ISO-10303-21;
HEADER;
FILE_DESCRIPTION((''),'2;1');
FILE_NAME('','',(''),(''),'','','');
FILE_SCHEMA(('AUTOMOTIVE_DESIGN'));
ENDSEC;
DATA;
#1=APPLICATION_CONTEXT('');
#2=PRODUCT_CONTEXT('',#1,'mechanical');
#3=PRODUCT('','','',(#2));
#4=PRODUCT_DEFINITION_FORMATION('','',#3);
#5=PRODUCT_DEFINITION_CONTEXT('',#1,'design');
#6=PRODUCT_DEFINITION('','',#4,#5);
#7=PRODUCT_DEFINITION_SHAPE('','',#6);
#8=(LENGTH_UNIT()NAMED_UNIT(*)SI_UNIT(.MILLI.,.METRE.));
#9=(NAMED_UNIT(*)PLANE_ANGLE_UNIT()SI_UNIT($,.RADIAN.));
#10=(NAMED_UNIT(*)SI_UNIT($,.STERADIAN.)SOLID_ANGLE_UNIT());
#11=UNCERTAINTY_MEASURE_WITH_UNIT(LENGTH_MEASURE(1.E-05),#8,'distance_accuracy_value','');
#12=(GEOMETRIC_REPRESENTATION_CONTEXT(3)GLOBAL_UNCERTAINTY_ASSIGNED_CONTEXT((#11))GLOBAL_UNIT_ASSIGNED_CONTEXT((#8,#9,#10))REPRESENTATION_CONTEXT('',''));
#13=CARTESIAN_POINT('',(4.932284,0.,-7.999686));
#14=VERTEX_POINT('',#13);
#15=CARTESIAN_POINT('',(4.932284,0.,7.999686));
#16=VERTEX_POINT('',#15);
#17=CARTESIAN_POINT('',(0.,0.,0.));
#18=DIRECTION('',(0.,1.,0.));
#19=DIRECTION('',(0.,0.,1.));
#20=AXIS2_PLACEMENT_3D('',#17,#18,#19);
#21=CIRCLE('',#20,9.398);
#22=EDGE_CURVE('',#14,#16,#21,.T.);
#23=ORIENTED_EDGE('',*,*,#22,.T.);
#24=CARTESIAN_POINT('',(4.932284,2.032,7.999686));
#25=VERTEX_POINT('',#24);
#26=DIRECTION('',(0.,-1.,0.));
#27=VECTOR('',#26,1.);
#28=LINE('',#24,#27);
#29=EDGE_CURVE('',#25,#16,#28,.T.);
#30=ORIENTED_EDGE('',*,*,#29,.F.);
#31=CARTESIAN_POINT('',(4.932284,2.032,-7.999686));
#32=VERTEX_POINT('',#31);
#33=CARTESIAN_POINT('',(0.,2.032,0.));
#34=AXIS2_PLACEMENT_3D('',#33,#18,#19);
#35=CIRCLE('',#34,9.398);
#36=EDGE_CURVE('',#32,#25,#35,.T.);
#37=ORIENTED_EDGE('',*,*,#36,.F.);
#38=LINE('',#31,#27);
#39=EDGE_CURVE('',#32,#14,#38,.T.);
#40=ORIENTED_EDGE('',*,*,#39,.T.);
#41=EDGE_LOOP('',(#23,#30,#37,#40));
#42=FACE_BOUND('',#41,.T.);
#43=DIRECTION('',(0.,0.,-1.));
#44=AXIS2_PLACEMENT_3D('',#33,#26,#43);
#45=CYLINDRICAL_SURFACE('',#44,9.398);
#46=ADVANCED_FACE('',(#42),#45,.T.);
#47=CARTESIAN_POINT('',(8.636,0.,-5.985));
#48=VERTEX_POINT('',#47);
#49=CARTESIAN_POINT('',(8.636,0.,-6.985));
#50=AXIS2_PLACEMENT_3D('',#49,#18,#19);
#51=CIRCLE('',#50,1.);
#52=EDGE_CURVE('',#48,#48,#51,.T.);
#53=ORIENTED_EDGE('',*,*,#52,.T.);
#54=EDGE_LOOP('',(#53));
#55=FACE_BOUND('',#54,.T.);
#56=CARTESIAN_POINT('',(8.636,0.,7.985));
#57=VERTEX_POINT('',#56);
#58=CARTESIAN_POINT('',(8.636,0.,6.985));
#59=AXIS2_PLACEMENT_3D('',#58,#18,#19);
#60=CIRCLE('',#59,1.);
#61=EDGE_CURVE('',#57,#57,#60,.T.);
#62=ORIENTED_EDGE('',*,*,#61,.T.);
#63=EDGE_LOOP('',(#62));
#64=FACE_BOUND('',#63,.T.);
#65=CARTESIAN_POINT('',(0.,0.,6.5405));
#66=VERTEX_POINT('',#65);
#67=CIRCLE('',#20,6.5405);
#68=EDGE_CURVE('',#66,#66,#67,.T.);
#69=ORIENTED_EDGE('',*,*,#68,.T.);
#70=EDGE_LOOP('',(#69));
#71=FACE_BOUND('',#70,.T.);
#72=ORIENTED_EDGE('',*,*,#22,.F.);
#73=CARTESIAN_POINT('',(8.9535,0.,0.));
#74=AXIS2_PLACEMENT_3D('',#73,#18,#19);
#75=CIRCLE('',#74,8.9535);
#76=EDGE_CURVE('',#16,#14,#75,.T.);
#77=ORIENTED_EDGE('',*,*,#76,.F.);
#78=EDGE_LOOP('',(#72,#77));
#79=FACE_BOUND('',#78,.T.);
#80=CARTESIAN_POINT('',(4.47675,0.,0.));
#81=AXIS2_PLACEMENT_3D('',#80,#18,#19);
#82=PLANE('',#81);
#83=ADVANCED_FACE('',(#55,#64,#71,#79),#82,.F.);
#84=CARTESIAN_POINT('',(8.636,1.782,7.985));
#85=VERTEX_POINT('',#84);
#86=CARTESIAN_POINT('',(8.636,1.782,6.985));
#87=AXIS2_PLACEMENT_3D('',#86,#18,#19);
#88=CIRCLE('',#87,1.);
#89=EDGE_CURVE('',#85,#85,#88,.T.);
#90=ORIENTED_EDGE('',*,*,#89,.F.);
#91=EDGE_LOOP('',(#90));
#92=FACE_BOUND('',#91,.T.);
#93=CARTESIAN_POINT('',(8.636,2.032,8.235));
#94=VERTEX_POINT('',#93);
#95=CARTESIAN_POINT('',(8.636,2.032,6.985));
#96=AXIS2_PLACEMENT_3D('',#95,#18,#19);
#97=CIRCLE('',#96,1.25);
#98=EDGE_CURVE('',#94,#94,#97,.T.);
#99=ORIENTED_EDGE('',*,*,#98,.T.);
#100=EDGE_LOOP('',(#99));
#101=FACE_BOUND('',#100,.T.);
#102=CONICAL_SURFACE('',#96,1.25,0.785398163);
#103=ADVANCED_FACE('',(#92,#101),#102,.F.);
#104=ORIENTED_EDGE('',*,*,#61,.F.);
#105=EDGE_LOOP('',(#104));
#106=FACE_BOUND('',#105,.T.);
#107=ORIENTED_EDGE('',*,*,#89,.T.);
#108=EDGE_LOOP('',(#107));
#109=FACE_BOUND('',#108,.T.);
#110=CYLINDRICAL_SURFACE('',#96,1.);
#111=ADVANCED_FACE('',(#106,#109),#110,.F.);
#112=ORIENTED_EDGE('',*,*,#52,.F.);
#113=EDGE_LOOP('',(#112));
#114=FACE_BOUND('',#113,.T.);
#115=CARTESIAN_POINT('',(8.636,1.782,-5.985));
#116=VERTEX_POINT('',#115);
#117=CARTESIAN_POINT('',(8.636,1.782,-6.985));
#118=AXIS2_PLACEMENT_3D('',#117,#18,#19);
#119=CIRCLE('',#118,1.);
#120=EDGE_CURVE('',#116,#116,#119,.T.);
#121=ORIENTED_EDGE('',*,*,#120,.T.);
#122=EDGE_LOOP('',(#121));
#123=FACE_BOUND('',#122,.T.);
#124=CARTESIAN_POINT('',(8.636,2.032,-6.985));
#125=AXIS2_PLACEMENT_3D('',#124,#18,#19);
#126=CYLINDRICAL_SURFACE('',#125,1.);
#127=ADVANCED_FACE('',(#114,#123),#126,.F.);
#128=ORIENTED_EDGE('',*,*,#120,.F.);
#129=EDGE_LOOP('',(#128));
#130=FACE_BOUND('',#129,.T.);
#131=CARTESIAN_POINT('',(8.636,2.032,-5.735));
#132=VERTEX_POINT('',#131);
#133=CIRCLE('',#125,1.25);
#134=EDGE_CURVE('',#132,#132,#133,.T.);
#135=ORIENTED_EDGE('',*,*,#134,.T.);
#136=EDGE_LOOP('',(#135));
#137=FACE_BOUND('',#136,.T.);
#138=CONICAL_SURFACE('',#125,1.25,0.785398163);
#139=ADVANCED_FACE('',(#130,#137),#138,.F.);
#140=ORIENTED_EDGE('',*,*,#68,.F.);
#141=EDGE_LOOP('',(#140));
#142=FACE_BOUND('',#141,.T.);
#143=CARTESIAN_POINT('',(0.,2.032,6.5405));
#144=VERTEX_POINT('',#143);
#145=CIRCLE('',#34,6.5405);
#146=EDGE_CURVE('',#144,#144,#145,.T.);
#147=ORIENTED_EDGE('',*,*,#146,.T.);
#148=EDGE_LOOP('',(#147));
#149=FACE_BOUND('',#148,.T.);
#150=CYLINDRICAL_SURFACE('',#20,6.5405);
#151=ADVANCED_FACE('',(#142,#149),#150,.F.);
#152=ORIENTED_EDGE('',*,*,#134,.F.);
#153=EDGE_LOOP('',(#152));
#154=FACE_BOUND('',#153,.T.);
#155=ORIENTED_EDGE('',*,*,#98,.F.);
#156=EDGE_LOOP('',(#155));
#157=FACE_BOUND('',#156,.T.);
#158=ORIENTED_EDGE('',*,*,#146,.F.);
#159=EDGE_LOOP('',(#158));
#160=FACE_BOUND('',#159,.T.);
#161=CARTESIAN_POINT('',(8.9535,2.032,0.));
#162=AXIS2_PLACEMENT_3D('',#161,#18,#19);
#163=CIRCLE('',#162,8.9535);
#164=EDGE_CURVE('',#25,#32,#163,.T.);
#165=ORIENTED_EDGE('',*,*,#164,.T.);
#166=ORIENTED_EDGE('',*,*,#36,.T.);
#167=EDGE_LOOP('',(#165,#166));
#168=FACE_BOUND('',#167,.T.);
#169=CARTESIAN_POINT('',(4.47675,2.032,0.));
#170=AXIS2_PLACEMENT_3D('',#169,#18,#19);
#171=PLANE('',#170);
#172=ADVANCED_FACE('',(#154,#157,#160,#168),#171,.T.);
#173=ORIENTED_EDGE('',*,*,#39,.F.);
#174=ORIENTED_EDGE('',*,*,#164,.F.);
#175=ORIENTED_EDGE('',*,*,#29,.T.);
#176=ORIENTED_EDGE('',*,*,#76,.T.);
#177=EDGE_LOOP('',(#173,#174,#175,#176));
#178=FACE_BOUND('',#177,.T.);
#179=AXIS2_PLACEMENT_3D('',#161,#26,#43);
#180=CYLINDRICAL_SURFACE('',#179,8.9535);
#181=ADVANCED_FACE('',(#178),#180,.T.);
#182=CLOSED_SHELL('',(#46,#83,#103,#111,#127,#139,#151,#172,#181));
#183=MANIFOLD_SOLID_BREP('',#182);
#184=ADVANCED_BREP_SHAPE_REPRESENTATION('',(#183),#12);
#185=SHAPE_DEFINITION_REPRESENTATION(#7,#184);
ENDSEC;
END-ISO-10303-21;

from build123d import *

# Parameters (mm, degrees)
BOSS_EXTRUDE1_DEPTH                             = 2.032
SKETCH2_R                                       = 6.5405
CUT_EXTRUDE1_DEPTH                              = 21.32515872
CSK_FOR_M2_FLAT_HEAD_MACHINE_SCREW1_D           = 2
CSK_FOR_M2_FLAT_HEAD_MACHINE_SCREW1_CSINK_D     = 2.5
CSK_FOR_M2_FLAT_HEAD_MACHINE_SCREW1_CSINK_ANGLE = 90


with BuildPart() as part:
    # Sketch1 → Boss-Extrude1 (new body)
    with BuildSketch(Plane(origin=(0, 0, 0), x_dir=(1, 0, 0), z_dir=(0, 1, 0))):
        with BuildLine():
            ThreePointArc((4.932283688, 7.999686345), (-9.398, 0), (4.932283688, -7.999686345))
            ThreePointArc((4.932283688, -7.999686345), (17.907, 0), (4.932283688, 7.999686345))
        make_face()
    extrude(amount=BOSS_EXTRUDE1_DEPTH)

    # Sketch2 → Cut-Extrude1 (cut, through all)
    with BuildSketch(Plane(origin=(0, 2.032, 0), x_dir=(1, 0, 0), z_dir=(0, 1, 0))):
        with Locations(Location((0, 0, 0), (0, 0, 270))):
            Circle(SKETCH2_R)
    extrude(amount=-CUT_EXTRUDE1_DEPTH, mode=Mode.SUBTRACT)

    # CSK for M2 Flat Head Machine Screw1 (through all)
    with Locations(Plane(origin=(0, 2.032, 0), x_dir=(1, 0, 0), z_dir=(0, 1, 0))):
        with Locations((8.636, 6.985), (8.636, -6.985)):
            CounterSinkHole(CSK_FOR_M2_FLAT_HEAD_MACHINE_SCREW1_D / 2, CSK_FOR_M2_FLAT_HEAD_MACHINE_SCREW1_CSINK_D / 2, counter_sink_angle=CSK_FOR_M2_FLAT_HEAD_MACHINE_SCREW1_CSINK_ANGLE)


solid = part.part
